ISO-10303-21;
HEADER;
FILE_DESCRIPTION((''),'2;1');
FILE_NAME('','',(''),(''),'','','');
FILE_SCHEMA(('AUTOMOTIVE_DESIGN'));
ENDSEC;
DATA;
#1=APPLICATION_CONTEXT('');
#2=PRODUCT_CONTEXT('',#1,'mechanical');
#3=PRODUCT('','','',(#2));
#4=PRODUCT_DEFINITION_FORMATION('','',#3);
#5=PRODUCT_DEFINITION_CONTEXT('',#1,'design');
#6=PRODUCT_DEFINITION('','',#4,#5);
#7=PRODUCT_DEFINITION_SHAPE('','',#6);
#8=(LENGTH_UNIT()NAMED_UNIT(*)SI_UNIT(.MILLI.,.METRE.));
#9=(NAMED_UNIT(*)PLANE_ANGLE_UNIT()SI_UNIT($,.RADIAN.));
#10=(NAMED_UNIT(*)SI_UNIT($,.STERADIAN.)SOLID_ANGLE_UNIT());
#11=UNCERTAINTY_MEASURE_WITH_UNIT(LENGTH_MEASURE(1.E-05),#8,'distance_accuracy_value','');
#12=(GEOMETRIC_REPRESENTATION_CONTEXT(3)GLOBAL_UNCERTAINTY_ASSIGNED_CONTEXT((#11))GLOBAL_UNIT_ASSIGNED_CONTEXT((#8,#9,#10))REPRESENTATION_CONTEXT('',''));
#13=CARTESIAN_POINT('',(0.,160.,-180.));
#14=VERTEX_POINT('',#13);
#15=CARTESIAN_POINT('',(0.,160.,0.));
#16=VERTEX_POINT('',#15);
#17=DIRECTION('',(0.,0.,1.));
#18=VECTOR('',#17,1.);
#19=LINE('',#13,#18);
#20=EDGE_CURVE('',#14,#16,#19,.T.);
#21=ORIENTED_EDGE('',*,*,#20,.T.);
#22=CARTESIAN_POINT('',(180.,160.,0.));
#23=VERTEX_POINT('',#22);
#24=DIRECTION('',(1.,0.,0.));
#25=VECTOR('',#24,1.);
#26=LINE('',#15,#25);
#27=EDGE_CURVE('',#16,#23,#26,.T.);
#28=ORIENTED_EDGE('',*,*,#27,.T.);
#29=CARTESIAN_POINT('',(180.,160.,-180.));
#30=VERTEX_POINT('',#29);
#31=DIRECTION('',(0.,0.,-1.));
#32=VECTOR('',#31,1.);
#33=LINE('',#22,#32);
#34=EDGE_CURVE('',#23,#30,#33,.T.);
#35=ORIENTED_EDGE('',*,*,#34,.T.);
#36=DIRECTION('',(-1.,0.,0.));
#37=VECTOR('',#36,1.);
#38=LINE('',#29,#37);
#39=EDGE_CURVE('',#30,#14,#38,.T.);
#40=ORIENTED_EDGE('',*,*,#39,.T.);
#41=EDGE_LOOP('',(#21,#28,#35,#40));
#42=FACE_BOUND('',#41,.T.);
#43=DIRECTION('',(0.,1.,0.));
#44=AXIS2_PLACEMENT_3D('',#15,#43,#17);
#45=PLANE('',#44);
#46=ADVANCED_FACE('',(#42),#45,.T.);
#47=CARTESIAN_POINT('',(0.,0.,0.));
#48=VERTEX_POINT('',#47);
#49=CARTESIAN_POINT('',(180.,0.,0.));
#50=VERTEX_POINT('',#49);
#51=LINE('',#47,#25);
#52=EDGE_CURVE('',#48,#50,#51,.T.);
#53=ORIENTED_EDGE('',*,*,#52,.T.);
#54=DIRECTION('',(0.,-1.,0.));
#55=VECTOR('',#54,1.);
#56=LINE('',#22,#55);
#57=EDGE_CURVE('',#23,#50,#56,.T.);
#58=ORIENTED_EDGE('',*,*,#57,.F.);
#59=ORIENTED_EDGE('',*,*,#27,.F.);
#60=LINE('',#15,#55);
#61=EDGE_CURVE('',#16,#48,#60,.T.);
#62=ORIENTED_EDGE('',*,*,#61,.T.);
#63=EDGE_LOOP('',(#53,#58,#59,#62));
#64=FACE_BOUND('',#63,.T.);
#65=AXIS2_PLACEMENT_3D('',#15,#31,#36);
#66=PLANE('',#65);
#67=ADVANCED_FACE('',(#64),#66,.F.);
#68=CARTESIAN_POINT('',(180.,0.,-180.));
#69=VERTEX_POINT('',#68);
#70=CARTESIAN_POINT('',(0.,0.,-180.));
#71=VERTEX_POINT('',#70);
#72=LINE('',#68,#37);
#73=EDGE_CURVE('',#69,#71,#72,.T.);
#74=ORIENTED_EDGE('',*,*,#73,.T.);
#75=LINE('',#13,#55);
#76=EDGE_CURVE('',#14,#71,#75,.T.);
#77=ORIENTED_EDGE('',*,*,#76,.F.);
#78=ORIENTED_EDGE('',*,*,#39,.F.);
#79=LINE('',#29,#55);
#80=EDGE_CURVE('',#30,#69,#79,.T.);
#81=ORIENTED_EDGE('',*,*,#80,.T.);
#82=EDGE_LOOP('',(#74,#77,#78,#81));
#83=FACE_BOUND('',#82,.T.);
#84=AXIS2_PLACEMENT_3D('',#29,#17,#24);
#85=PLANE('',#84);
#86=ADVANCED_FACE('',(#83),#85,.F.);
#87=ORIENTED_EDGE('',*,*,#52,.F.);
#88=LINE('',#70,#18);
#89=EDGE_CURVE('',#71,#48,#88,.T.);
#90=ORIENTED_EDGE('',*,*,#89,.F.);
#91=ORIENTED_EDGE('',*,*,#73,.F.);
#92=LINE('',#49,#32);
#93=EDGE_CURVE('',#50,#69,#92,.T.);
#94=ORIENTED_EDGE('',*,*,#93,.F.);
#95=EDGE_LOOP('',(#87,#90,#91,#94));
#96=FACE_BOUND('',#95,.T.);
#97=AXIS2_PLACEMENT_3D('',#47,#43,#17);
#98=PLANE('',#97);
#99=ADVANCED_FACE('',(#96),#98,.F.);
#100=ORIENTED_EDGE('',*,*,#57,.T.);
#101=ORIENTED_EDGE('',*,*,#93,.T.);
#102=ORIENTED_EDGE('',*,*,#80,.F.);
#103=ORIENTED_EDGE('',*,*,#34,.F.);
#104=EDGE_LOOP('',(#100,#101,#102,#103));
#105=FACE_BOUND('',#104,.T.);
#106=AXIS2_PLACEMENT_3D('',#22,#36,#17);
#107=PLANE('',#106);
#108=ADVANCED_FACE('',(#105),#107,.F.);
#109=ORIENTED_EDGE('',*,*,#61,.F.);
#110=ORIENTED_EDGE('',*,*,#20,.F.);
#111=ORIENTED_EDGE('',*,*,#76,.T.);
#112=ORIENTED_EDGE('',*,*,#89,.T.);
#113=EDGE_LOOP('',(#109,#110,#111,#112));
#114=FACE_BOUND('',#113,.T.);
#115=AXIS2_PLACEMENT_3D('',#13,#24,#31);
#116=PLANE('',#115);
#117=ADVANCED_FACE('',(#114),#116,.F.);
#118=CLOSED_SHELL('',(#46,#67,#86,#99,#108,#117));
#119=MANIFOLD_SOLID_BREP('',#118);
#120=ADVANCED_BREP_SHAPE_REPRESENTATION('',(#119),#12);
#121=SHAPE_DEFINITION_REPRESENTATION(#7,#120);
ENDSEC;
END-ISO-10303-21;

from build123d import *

# Parameters (mm, degrees)
SKICA1_W                = 180
SKICA1_H                = 180
P_IDAT_VYSUNUT_M1_DEPTH = 160


with BuildPart() as part:
    # Skica1 → Přidat vysunutím1 (new body)
    with BuildSketch(Plane(origin=(0, 0, 0), x_dir=(1, 0, 0), z_dir=(0, 1, 0))):
        with Locations((90, 90)):
            Rectangle(SKICA1_W, SKICA1_H)
    extrude(amount=P_IDAT_VYSUNUT_M1_DEPTH)


solid = part.part
